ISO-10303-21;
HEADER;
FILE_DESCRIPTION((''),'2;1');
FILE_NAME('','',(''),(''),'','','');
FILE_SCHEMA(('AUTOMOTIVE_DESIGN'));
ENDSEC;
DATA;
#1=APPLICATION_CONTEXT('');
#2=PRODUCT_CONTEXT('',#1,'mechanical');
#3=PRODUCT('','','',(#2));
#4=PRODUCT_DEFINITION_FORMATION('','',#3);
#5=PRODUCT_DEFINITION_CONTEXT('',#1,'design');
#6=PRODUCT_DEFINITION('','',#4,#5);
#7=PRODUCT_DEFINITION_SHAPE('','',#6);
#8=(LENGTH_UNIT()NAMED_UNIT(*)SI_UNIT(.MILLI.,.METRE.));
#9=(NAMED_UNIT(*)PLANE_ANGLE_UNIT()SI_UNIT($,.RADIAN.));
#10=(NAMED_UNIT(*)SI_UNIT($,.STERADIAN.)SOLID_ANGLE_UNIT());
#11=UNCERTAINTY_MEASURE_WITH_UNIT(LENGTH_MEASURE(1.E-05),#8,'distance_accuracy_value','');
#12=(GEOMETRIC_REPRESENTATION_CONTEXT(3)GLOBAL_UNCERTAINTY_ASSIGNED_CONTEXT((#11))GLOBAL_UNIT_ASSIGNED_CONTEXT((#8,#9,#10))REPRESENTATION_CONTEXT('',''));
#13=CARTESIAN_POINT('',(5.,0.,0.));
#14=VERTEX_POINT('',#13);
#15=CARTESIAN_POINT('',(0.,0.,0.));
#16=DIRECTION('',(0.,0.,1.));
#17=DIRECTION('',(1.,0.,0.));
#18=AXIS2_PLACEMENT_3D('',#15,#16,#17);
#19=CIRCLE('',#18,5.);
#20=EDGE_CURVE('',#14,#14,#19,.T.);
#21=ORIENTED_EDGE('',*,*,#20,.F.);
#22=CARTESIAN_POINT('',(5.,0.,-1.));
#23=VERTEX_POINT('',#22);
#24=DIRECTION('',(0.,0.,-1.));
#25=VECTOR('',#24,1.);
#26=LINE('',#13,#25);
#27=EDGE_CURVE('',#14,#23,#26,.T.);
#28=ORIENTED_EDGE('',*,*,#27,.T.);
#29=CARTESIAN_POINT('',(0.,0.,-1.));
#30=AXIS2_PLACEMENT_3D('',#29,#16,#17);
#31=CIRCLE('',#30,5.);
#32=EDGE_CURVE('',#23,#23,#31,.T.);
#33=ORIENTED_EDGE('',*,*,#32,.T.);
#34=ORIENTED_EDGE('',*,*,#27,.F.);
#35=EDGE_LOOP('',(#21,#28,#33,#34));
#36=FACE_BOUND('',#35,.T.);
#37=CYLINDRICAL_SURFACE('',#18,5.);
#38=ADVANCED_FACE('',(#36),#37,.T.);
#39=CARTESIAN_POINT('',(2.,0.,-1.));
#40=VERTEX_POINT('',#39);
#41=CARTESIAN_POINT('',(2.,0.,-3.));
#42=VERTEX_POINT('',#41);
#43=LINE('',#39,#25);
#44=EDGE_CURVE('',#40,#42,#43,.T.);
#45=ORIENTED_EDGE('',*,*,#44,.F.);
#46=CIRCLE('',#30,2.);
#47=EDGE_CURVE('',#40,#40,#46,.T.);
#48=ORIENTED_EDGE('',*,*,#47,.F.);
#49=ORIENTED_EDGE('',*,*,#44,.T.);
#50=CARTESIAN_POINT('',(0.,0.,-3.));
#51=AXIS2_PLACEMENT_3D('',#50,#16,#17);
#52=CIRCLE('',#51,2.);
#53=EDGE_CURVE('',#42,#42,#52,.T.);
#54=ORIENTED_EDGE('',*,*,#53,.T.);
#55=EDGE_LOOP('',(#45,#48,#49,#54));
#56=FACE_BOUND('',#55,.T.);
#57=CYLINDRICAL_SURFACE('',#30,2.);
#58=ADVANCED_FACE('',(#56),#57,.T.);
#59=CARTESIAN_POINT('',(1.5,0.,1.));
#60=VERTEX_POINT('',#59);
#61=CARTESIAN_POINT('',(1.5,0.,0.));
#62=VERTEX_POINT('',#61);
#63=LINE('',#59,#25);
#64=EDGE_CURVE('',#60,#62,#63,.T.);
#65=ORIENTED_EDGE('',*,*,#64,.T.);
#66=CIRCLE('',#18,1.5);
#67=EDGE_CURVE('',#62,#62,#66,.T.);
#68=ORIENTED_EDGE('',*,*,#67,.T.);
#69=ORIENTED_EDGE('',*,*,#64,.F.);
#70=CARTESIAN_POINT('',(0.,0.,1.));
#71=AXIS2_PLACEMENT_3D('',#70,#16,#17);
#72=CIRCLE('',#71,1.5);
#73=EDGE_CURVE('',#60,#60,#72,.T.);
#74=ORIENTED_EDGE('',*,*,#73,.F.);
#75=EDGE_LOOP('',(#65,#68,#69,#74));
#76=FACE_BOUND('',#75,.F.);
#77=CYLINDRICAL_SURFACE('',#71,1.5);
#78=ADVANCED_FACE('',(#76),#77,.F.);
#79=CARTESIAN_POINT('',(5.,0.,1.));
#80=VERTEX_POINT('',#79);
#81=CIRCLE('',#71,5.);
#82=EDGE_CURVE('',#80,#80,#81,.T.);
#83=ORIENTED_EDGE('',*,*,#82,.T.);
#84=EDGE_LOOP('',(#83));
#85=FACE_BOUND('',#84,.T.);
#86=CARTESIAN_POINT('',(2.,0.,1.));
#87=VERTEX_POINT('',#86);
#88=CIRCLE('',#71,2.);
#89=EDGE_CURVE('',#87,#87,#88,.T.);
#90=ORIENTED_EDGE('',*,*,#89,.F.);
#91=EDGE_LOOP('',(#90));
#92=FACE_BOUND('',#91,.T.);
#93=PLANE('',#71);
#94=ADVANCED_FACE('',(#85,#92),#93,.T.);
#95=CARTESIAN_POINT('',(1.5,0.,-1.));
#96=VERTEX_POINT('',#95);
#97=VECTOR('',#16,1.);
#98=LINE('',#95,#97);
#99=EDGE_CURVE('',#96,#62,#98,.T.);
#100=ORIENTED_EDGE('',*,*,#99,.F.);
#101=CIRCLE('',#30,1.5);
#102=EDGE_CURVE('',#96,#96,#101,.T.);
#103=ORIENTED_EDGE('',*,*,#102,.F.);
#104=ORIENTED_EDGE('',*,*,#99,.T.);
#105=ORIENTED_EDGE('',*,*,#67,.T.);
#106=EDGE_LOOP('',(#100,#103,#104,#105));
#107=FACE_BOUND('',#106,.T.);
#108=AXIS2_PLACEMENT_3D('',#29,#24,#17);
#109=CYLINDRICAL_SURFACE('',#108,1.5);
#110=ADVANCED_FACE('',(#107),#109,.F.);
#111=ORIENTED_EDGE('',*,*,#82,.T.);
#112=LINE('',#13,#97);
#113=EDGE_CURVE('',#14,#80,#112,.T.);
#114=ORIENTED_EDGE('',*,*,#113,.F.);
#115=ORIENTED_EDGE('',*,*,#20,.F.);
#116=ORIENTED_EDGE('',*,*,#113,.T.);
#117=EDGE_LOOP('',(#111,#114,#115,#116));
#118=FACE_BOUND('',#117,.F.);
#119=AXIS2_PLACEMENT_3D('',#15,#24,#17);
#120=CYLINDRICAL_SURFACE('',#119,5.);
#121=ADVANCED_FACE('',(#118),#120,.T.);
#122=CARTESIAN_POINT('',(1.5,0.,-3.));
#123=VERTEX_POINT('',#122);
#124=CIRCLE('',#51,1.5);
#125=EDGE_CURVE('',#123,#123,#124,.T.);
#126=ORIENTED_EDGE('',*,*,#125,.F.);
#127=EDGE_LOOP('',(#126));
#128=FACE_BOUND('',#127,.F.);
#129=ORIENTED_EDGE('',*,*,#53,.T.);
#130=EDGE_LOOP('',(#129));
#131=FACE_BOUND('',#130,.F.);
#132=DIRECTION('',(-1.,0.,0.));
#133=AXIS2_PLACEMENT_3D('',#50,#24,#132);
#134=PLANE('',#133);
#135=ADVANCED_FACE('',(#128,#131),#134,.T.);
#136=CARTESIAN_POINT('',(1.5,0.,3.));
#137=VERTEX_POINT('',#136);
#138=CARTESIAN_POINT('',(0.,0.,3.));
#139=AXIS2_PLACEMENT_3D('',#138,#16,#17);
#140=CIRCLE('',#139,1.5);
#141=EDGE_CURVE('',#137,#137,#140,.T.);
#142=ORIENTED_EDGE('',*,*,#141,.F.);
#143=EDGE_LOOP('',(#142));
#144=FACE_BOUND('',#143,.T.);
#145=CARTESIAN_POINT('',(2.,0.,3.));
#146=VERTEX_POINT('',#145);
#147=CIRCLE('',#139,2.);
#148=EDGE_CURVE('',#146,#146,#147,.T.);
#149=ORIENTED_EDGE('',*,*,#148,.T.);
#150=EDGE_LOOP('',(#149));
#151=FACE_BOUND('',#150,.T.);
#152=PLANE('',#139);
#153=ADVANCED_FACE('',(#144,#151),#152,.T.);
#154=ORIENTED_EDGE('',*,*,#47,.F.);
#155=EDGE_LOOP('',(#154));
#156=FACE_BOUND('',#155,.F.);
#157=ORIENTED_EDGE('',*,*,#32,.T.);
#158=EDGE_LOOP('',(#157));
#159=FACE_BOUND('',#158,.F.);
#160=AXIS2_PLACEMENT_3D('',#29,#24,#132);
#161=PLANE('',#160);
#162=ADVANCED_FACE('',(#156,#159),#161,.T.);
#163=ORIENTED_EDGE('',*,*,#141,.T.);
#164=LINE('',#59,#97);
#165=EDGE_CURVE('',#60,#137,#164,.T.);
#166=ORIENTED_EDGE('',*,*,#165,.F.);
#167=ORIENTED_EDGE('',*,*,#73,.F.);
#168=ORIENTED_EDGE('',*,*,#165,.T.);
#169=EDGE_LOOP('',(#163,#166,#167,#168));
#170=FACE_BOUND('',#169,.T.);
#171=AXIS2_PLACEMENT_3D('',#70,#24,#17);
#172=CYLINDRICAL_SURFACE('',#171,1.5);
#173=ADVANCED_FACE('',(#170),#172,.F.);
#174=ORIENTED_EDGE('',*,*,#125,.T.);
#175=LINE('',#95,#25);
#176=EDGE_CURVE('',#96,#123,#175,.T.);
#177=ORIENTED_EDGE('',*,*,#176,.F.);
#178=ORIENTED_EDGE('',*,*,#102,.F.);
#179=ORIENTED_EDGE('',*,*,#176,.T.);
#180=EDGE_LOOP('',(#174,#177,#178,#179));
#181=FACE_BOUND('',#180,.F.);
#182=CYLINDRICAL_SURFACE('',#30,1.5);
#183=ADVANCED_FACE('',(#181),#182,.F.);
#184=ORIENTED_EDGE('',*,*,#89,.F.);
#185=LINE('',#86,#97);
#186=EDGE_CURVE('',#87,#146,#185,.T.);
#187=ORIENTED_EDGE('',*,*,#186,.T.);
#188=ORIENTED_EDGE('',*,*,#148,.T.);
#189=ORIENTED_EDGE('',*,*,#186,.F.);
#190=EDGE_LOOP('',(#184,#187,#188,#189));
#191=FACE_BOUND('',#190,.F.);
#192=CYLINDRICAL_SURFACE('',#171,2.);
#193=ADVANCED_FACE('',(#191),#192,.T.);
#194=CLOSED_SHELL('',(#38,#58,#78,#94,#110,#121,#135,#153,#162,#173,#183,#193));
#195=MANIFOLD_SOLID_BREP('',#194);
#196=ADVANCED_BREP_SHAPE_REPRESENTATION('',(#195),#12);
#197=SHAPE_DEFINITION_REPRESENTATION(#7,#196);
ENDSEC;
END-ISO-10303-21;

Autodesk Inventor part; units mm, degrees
ref_plane "YZ Plane" through (0, 0, 0) normal (1, 0, 0) x (0, 1, 0)
ref_plane "XZ Plane" through (0, 0, 0) normal (0, 1, 0) x (-1, 0, 0)
ref_plane "XY Plane" through (0, 0, 0) normal (0, 0, 1) x (1, 0, 0)
sketch "Sketch1" plane through (0, 0, 0) normal (0, 0, 1) x (1, 0, 0)
  circle A0 centre (0, 0) radius 5
  dimension "d0" = 10
extrude "Extrusion1" add sketch "Sketch1" along normal blind 1
sketch "Sketch2" plane through (0, 0, 1) normal (0, 0, 1) x (1, 0, 0)
  circle A0 centre (0, 0) radius 1.5
  circle A1 centre (0, 0) radius 2
  dimension "d3" = 3
  dimension "d4" = 4
extrude "Extrusion2" cut sketch "Sketch2" against normal blind 1.5 contours A0
extrude "Extrusion3" add sketch "Sketch2" along normal blind 2
mirror "Mirror2" about plane through (0, 0, 0) normal (0, 0, -1)
properties part number "einzel_element"
